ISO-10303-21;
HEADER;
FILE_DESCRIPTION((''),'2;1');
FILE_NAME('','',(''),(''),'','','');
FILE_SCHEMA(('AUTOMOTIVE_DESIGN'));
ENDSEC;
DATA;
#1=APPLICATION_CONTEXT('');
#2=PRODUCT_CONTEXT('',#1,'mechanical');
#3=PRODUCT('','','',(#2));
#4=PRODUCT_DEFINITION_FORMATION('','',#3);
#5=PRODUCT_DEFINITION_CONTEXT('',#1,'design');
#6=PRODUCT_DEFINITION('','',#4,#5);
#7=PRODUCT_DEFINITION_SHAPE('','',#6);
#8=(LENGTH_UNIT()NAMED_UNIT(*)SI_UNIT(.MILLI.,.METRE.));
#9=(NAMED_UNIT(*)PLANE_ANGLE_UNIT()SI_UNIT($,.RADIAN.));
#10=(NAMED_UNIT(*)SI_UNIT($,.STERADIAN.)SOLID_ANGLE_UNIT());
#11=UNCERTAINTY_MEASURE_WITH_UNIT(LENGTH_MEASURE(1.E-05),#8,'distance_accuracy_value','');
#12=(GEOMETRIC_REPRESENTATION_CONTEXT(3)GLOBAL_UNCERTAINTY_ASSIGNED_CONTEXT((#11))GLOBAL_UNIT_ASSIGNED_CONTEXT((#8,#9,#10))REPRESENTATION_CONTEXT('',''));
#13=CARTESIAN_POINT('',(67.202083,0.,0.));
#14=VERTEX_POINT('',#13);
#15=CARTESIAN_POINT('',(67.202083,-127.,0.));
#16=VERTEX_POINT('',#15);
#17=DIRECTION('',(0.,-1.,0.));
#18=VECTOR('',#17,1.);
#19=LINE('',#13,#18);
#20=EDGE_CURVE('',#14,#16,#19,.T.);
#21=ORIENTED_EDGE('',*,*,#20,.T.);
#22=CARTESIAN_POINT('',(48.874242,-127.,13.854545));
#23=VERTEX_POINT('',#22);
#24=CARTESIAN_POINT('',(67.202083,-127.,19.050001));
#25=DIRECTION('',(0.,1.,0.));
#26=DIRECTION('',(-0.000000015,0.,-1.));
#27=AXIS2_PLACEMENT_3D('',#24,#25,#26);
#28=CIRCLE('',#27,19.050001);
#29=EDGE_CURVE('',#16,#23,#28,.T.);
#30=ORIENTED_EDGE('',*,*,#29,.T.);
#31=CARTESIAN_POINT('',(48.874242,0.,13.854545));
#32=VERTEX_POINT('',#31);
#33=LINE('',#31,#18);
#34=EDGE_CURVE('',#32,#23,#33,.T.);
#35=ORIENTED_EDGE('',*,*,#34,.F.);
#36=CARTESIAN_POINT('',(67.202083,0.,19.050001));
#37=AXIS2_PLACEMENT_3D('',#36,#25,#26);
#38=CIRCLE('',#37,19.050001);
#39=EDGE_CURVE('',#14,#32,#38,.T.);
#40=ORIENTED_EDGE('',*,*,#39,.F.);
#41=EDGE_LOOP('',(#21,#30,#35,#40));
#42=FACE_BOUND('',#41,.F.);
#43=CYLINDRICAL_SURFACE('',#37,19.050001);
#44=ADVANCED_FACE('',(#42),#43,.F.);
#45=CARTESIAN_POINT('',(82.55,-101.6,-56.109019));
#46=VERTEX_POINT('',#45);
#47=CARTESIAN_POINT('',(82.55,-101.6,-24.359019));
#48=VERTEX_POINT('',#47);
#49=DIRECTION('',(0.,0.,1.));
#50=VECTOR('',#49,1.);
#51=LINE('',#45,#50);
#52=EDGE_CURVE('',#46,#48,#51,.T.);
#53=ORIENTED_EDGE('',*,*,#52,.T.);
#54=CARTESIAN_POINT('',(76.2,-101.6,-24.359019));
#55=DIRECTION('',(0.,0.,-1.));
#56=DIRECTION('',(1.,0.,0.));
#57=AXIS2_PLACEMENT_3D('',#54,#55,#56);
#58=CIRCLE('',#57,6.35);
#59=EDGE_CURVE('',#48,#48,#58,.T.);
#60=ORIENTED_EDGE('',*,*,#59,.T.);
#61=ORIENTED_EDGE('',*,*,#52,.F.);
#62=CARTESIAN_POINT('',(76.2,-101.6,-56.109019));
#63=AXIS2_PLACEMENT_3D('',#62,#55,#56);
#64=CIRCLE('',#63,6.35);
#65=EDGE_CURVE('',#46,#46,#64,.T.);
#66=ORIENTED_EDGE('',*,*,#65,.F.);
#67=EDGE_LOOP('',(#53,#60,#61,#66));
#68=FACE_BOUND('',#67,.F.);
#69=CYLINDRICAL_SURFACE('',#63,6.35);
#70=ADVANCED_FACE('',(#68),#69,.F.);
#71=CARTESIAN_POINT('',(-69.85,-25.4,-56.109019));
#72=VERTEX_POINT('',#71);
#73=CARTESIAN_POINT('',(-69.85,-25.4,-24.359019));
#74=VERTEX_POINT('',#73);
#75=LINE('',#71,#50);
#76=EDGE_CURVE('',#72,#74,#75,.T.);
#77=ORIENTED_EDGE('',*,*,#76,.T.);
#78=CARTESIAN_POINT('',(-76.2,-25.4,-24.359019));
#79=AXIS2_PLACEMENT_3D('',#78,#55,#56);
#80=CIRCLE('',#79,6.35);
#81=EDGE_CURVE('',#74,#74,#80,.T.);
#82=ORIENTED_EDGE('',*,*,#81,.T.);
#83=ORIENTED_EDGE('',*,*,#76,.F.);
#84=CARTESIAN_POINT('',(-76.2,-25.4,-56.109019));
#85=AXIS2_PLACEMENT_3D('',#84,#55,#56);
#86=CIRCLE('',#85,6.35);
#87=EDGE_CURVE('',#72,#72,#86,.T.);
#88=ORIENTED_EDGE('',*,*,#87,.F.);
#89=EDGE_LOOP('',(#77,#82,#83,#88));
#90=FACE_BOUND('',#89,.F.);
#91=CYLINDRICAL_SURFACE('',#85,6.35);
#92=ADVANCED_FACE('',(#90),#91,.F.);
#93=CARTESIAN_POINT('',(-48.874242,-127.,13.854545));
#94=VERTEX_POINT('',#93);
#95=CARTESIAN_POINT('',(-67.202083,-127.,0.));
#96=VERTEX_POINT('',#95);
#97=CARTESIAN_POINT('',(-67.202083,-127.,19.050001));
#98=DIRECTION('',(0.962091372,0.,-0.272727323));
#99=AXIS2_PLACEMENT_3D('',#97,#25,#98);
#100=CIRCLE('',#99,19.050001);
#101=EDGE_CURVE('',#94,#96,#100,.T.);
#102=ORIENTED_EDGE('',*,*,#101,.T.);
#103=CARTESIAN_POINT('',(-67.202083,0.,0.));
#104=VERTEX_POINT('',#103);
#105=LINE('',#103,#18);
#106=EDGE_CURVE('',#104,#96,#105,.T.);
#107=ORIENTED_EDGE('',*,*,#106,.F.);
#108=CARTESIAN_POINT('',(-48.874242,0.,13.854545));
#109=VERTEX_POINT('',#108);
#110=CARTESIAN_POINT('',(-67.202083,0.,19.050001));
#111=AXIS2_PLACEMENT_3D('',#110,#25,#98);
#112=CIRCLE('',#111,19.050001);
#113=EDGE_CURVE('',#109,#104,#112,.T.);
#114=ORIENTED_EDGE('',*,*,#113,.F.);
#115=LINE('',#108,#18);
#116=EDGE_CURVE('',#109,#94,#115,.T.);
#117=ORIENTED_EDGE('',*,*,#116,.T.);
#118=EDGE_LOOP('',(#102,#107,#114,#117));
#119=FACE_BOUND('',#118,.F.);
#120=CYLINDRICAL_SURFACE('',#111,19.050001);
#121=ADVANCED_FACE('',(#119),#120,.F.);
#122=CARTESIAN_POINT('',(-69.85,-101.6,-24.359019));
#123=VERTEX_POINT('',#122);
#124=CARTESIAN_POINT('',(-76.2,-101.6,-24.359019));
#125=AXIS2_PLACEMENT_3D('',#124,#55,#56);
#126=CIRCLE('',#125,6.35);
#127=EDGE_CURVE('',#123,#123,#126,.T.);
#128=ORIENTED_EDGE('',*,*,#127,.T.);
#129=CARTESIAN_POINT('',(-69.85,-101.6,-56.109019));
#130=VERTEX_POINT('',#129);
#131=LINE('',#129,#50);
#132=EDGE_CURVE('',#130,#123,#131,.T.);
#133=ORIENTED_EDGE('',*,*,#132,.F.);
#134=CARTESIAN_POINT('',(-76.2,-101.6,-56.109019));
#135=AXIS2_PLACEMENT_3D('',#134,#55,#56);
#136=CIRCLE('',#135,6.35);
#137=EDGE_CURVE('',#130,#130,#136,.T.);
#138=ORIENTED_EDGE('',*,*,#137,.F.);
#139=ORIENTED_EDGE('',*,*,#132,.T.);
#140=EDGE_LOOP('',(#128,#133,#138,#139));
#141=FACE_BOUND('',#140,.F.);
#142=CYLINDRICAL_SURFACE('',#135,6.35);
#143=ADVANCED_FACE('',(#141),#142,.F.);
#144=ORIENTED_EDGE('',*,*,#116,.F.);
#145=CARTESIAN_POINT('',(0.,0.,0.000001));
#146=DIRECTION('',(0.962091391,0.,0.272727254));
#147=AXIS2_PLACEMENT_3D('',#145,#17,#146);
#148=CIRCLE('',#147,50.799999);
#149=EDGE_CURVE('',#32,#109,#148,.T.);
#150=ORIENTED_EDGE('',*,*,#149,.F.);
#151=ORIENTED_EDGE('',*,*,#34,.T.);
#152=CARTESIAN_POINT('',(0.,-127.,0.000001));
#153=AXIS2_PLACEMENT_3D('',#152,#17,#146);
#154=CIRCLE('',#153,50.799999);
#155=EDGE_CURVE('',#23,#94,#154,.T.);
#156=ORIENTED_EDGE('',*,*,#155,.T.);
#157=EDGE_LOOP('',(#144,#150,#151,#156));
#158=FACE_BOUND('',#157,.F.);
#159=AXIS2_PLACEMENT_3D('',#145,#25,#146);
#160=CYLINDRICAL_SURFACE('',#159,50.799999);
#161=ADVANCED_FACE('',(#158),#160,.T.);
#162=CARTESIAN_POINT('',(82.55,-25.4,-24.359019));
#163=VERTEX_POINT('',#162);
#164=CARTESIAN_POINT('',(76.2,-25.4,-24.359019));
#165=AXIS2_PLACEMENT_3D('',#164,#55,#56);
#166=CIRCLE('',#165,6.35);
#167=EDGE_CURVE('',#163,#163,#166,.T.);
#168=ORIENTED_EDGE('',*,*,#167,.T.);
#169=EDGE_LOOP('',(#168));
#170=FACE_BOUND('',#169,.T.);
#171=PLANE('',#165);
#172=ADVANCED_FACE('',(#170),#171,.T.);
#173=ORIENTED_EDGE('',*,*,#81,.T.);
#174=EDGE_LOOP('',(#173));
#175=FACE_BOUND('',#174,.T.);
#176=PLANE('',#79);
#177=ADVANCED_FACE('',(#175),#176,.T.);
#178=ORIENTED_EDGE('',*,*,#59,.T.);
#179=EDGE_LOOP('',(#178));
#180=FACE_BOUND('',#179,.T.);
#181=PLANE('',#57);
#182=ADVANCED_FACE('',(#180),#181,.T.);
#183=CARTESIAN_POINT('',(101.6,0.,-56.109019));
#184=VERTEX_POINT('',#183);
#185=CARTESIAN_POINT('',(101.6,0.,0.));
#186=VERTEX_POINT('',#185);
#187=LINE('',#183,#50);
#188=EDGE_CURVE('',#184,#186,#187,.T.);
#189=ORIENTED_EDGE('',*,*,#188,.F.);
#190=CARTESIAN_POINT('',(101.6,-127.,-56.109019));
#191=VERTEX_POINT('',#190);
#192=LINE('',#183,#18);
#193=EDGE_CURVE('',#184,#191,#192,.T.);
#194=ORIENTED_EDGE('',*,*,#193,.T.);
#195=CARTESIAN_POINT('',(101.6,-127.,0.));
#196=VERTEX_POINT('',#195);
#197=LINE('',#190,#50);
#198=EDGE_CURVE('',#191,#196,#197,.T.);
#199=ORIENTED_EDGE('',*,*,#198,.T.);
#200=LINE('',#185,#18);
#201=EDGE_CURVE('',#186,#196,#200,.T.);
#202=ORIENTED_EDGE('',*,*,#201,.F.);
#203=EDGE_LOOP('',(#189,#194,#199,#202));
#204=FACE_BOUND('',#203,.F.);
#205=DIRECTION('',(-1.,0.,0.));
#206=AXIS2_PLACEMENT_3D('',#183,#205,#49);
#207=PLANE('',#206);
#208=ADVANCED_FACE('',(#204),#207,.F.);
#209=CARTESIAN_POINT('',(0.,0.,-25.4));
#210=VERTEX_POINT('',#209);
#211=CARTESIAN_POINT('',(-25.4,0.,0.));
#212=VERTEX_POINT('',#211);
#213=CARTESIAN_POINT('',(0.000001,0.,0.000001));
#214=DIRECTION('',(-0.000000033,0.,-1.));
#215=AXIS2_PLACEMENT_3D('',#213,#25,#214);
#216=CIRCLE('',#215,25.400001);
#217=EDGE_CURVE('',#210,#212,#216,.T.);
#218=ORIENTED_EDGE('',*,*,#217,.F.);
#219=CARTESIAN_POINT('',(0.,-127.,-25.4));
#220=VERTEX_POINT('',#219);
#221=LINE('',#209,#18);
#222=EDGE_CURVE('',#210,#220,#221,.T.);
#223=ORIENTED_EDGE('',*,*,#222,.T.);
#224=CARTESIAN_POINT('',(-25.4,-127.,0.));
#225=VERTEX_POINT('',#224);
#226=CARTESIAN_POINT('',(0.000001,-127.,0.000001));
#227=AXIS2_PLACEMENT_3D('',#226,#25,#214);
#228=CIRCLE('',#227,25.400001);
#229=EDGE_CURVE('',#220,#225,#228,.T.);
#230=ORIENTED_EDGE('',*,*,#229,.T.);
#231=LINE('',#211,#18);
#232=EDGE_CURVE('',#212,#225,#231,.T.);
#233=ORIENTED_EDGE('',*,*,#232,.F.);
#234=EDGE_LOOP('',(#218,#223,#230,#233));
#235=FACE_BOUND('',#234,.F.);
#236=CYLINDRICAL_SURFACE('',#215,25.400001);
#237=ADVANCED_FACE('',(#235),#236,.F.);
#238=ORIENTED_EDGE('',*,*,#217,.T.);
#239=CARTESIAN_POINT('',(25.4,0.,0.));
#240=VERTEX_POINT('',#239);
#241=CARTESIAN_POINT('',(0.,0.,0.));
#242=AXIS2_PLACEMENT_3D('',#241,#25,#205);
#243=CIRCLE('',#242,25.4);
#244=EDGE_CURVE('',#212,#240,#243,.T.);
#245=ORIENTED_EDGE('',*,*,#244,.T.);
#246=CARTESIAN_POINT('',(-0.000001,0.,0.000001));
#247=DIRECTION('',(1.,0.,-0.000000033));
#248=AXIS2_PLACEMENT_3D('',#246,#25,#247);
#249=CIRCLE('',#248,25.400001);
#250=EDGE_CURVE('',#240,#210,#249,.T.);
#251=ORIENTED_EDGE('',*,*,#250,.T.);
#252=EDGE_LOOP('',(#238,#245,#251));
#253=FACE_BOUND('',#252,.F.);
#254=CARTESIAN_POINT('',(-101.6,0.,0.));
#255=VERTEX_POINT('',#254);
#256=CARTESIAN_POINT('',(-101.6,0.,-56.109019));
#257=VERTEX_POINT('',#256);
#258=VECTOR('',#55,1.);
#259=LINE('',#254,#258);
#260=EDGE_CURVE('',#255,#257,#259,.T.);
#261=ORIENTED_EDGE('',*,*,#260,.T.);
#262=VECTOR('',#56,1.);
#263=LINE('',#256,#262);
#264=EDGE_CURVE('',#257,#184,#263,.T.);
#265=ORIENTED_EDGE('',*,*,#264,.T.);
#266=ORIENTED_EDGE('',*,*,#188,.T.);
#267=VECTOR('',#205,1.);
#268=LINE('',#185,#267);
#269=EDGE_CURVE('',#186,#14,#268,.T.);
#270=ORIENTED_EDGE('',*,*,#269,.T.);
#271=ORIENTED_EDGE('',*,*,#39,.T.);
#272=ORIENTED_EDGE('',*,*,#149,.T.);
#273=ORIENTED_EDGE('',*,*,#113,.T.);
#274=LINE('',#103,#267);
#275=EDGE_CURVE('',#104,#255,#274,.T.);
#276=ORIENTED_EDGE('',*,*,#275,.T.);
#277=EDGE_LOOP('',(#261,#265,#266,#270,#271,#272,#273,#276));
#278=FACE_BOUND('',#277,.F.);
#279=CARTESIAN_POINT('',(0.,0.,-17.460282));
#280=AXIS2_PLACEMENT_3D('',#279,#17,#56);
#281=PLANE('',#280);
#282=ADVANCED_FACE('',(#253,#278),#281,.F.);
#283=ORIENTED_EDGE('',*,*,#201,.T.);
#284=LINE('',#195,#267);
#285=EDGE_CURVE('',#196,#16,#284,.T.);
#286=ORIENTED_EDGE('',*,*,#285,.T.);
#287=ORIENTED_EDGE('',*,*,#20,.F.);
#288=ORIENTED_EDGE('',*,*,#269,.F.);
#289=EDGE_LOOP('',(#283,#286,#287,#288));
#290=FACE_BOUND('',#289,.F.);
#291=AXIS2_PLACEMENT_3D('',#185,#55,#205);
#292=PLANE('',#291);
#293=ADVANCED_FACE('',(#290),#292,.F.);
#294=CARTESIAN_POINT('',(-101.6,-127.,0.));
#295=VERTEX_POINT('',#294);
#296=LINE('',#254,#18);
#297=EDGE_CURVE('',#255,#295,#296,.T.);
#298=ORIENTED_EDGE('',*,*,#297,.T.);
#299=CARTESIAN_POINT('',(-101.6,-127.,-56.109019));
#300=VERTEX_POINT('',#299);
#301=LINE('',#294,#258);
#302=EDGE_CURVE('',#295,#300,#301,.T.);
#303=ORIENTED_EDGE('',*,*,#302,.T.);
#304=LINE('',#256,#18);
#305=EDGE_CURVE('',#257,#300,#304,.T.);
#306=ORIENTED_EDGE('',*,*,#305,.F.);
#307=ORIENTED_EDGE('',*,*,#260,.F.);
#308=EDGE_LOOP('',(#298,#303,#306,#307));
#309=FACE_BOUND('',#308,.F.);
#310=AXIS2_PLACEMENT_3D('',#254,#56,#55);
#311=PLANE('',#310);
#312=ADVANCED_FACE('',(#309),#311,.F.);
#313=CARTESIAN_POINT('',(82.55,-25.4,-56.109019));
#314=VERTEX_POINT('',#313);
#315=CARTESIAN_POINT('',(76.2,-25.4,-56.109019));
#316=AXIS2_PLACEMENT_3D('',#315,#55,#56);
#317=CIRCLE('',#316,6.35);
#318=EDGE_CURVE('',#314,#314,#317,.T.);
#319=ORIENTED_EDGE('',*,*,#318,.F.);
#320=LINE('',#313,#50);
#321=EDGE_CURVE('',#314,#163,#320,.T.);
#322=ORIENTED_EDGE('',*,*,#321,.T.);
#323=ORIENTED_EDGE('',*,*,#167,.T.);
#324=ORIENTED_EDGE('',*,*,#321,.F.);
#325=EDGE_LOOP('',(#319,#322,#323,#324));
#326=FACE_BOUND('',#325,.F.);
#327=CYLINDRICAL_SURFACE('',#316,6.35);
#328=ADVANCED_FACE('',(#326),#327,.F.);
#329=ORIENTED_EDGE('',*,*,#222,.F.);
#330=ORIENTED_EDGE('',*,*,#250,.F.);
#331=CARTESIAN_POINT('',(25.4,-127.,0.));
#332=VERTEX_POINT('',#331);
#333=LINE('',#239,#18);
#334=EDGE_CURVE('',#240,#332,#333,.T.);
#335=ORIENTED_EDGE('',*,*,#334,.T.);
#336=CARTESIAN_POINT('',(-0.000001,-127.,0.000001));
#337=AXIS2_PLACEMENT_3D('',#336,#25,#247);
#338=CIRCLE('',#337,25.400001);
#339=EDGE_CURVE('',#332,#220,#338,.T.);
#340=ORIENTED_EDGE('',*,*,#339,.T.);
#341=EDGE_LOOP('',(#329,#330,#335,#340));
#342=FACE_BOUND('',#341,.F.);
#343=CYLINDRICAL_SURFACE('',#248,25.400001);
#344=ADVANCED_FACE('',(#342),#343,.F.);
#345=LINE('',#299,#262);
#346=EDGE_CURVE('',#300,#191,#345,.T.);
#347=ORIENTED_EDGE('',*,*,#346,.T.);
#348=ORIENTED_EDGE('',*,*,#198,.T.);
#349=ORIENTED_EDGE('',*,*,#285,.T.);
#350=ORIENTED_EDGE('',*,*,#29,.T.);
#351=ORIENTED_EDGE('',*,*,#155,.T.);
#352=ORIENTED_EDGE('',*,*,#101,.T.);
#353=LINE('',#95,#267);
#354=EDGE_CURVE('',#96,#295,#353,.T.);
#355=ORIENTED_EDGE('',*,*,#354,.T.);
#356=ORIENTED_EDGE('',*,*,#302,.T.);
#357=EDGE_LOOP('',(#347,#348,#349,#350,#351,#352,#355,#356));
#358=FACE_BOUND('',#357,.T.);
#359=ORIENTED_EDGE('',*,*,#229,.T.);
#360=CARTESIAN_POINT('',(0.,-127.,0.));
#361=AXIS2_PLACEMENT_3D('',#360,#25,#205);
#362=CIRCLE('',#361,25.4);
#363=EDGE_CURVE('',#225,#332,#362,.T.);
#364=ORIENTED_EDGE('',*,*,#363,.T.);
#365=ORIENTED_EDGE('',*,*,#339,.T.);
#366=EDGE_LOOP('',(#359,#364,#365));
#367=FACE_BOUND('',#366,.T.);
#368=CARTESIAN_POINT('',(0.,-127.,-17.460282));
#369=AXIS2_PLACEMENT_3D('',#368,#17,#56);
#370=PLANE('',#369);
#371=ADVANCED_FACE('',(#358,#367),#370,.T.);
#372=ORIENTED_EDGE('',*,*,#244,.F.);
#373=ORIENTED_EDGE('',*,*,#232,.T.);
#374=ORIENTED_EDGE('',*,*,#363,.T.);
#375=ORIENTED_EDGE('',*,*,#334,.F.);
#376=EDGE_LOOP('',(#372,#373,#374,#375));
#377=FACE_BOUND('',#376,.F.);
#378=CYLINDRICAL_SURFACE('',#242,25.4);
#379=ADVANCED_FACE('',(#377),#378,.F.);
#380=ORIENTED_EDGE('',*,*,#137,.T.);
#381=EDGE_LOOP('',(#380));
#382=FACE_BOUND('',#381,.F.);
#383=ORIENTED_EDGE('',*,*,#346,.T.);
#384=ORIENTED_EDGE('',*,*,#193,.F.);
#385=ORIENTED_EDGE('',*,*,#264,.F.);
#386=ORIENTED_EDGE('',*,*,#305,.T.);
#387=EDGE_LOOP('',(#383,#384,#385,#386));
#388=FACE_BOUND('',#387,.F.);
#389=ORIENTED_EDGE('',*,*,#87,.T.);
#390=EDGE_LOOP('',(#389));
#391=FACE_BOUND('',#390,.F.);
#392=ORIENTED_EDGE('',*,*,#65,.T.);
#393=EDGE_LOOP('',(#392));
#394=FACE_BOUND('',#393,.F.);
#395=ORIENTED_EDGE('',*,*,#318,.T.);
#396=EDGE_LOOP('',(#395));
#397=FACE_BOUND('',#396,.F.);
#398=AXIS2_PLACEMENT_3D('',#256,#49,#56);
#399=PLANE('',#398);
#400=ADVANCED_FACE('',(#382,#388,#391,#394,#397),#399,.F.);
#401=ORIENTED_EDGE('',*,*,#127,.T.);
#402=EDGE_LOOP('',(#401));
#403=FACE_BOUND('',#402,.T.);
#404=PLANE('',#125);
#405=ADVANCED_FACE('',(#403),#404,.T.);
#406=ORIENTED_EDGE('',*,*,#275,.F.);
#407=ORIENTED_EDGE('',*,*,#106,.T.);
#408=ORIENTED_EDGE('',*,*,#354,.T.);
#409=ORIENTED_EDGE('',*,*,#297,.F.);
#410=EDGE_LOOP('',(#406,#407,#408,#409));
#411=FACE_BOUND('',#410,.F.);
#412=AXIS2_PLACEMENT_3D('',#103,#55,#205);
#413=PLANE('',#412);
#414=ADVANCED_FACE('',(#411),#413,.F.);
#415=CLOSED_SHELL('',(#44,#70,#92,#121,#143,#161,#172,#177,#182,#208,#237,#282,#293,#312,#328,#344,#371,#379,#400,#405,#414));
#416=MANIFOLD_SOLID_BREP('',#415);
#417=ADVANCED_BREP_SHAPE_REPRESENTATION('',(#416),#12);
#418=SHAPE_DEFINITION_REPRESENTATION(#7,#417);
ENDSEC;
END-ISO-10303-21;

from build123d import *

# Parameters (mm, degrees)
F1_DEPTH = 127
F2_R     = 6.35
F3_DEPTH = 31.75


with BuildPart() as f1:
    # F0 (on Front) → F1 (new body)
    with BuildSketch(Plane.XZ):
        with BuildLine():
            Line((-101.6, -56.109019), (0, -56.109019))
            Line((0, -56.109019), (101.6, -56.109019))
            Line((101.6, -56.109019), (101.6, 0))
            Line((101.6, 0), (67.202083, 0))
            ThreePointArc((67.202083, 0), (55.714501, 3.853357), (48.874242, 13.854545))
            ThreePointArc((48.874242, 13.854545), (0, 50.8), (-48.874242, 13.854545))
            ThreePointArc((-48.874242, 13.854545), (-55.714501, 3.853357), (-67.202083, 0))
            Line((-67.202083, 0), (-101.6, 0))
            Line((-101.6, 0), (-101.6, -56.109019))
        make_face()
        with BuildLine():
            ThreePointArc((-25.4, 0), (0, 25.4), (25.4, 0))
            ThreePointArc((25.4, 0), (17.960512, -17.960512), (0, -25.4))
            ThreePointArc((0, -25.4), (-17.960512, -17.960512), (-25.4, 0))
        make_face(mode=Mode.SUBTRACT)
    extrude(amount=F1_DEPTH)

    # F2 (on face) → F3 (cut)
    with BuildSketch(Plane(origin=(0, 0, -56.109019), x_dir=(1, 0, 0), z_dir=(0, 0, -1))):
        with Locations((-76.2, 101.6)):
            Circle(F2_R)
        with Locations((-76.2, 25.4)):
            Circle(F2_R)
        with Locations((76.2, 101.6)):
            Circle(F2_R)
        with Locations((76.2, 25.4)):
            Circle(F2_R)
    extrude(amount=-F3_DEPTH, mode=Mode.SUBTRACT)


solid = f1.part
